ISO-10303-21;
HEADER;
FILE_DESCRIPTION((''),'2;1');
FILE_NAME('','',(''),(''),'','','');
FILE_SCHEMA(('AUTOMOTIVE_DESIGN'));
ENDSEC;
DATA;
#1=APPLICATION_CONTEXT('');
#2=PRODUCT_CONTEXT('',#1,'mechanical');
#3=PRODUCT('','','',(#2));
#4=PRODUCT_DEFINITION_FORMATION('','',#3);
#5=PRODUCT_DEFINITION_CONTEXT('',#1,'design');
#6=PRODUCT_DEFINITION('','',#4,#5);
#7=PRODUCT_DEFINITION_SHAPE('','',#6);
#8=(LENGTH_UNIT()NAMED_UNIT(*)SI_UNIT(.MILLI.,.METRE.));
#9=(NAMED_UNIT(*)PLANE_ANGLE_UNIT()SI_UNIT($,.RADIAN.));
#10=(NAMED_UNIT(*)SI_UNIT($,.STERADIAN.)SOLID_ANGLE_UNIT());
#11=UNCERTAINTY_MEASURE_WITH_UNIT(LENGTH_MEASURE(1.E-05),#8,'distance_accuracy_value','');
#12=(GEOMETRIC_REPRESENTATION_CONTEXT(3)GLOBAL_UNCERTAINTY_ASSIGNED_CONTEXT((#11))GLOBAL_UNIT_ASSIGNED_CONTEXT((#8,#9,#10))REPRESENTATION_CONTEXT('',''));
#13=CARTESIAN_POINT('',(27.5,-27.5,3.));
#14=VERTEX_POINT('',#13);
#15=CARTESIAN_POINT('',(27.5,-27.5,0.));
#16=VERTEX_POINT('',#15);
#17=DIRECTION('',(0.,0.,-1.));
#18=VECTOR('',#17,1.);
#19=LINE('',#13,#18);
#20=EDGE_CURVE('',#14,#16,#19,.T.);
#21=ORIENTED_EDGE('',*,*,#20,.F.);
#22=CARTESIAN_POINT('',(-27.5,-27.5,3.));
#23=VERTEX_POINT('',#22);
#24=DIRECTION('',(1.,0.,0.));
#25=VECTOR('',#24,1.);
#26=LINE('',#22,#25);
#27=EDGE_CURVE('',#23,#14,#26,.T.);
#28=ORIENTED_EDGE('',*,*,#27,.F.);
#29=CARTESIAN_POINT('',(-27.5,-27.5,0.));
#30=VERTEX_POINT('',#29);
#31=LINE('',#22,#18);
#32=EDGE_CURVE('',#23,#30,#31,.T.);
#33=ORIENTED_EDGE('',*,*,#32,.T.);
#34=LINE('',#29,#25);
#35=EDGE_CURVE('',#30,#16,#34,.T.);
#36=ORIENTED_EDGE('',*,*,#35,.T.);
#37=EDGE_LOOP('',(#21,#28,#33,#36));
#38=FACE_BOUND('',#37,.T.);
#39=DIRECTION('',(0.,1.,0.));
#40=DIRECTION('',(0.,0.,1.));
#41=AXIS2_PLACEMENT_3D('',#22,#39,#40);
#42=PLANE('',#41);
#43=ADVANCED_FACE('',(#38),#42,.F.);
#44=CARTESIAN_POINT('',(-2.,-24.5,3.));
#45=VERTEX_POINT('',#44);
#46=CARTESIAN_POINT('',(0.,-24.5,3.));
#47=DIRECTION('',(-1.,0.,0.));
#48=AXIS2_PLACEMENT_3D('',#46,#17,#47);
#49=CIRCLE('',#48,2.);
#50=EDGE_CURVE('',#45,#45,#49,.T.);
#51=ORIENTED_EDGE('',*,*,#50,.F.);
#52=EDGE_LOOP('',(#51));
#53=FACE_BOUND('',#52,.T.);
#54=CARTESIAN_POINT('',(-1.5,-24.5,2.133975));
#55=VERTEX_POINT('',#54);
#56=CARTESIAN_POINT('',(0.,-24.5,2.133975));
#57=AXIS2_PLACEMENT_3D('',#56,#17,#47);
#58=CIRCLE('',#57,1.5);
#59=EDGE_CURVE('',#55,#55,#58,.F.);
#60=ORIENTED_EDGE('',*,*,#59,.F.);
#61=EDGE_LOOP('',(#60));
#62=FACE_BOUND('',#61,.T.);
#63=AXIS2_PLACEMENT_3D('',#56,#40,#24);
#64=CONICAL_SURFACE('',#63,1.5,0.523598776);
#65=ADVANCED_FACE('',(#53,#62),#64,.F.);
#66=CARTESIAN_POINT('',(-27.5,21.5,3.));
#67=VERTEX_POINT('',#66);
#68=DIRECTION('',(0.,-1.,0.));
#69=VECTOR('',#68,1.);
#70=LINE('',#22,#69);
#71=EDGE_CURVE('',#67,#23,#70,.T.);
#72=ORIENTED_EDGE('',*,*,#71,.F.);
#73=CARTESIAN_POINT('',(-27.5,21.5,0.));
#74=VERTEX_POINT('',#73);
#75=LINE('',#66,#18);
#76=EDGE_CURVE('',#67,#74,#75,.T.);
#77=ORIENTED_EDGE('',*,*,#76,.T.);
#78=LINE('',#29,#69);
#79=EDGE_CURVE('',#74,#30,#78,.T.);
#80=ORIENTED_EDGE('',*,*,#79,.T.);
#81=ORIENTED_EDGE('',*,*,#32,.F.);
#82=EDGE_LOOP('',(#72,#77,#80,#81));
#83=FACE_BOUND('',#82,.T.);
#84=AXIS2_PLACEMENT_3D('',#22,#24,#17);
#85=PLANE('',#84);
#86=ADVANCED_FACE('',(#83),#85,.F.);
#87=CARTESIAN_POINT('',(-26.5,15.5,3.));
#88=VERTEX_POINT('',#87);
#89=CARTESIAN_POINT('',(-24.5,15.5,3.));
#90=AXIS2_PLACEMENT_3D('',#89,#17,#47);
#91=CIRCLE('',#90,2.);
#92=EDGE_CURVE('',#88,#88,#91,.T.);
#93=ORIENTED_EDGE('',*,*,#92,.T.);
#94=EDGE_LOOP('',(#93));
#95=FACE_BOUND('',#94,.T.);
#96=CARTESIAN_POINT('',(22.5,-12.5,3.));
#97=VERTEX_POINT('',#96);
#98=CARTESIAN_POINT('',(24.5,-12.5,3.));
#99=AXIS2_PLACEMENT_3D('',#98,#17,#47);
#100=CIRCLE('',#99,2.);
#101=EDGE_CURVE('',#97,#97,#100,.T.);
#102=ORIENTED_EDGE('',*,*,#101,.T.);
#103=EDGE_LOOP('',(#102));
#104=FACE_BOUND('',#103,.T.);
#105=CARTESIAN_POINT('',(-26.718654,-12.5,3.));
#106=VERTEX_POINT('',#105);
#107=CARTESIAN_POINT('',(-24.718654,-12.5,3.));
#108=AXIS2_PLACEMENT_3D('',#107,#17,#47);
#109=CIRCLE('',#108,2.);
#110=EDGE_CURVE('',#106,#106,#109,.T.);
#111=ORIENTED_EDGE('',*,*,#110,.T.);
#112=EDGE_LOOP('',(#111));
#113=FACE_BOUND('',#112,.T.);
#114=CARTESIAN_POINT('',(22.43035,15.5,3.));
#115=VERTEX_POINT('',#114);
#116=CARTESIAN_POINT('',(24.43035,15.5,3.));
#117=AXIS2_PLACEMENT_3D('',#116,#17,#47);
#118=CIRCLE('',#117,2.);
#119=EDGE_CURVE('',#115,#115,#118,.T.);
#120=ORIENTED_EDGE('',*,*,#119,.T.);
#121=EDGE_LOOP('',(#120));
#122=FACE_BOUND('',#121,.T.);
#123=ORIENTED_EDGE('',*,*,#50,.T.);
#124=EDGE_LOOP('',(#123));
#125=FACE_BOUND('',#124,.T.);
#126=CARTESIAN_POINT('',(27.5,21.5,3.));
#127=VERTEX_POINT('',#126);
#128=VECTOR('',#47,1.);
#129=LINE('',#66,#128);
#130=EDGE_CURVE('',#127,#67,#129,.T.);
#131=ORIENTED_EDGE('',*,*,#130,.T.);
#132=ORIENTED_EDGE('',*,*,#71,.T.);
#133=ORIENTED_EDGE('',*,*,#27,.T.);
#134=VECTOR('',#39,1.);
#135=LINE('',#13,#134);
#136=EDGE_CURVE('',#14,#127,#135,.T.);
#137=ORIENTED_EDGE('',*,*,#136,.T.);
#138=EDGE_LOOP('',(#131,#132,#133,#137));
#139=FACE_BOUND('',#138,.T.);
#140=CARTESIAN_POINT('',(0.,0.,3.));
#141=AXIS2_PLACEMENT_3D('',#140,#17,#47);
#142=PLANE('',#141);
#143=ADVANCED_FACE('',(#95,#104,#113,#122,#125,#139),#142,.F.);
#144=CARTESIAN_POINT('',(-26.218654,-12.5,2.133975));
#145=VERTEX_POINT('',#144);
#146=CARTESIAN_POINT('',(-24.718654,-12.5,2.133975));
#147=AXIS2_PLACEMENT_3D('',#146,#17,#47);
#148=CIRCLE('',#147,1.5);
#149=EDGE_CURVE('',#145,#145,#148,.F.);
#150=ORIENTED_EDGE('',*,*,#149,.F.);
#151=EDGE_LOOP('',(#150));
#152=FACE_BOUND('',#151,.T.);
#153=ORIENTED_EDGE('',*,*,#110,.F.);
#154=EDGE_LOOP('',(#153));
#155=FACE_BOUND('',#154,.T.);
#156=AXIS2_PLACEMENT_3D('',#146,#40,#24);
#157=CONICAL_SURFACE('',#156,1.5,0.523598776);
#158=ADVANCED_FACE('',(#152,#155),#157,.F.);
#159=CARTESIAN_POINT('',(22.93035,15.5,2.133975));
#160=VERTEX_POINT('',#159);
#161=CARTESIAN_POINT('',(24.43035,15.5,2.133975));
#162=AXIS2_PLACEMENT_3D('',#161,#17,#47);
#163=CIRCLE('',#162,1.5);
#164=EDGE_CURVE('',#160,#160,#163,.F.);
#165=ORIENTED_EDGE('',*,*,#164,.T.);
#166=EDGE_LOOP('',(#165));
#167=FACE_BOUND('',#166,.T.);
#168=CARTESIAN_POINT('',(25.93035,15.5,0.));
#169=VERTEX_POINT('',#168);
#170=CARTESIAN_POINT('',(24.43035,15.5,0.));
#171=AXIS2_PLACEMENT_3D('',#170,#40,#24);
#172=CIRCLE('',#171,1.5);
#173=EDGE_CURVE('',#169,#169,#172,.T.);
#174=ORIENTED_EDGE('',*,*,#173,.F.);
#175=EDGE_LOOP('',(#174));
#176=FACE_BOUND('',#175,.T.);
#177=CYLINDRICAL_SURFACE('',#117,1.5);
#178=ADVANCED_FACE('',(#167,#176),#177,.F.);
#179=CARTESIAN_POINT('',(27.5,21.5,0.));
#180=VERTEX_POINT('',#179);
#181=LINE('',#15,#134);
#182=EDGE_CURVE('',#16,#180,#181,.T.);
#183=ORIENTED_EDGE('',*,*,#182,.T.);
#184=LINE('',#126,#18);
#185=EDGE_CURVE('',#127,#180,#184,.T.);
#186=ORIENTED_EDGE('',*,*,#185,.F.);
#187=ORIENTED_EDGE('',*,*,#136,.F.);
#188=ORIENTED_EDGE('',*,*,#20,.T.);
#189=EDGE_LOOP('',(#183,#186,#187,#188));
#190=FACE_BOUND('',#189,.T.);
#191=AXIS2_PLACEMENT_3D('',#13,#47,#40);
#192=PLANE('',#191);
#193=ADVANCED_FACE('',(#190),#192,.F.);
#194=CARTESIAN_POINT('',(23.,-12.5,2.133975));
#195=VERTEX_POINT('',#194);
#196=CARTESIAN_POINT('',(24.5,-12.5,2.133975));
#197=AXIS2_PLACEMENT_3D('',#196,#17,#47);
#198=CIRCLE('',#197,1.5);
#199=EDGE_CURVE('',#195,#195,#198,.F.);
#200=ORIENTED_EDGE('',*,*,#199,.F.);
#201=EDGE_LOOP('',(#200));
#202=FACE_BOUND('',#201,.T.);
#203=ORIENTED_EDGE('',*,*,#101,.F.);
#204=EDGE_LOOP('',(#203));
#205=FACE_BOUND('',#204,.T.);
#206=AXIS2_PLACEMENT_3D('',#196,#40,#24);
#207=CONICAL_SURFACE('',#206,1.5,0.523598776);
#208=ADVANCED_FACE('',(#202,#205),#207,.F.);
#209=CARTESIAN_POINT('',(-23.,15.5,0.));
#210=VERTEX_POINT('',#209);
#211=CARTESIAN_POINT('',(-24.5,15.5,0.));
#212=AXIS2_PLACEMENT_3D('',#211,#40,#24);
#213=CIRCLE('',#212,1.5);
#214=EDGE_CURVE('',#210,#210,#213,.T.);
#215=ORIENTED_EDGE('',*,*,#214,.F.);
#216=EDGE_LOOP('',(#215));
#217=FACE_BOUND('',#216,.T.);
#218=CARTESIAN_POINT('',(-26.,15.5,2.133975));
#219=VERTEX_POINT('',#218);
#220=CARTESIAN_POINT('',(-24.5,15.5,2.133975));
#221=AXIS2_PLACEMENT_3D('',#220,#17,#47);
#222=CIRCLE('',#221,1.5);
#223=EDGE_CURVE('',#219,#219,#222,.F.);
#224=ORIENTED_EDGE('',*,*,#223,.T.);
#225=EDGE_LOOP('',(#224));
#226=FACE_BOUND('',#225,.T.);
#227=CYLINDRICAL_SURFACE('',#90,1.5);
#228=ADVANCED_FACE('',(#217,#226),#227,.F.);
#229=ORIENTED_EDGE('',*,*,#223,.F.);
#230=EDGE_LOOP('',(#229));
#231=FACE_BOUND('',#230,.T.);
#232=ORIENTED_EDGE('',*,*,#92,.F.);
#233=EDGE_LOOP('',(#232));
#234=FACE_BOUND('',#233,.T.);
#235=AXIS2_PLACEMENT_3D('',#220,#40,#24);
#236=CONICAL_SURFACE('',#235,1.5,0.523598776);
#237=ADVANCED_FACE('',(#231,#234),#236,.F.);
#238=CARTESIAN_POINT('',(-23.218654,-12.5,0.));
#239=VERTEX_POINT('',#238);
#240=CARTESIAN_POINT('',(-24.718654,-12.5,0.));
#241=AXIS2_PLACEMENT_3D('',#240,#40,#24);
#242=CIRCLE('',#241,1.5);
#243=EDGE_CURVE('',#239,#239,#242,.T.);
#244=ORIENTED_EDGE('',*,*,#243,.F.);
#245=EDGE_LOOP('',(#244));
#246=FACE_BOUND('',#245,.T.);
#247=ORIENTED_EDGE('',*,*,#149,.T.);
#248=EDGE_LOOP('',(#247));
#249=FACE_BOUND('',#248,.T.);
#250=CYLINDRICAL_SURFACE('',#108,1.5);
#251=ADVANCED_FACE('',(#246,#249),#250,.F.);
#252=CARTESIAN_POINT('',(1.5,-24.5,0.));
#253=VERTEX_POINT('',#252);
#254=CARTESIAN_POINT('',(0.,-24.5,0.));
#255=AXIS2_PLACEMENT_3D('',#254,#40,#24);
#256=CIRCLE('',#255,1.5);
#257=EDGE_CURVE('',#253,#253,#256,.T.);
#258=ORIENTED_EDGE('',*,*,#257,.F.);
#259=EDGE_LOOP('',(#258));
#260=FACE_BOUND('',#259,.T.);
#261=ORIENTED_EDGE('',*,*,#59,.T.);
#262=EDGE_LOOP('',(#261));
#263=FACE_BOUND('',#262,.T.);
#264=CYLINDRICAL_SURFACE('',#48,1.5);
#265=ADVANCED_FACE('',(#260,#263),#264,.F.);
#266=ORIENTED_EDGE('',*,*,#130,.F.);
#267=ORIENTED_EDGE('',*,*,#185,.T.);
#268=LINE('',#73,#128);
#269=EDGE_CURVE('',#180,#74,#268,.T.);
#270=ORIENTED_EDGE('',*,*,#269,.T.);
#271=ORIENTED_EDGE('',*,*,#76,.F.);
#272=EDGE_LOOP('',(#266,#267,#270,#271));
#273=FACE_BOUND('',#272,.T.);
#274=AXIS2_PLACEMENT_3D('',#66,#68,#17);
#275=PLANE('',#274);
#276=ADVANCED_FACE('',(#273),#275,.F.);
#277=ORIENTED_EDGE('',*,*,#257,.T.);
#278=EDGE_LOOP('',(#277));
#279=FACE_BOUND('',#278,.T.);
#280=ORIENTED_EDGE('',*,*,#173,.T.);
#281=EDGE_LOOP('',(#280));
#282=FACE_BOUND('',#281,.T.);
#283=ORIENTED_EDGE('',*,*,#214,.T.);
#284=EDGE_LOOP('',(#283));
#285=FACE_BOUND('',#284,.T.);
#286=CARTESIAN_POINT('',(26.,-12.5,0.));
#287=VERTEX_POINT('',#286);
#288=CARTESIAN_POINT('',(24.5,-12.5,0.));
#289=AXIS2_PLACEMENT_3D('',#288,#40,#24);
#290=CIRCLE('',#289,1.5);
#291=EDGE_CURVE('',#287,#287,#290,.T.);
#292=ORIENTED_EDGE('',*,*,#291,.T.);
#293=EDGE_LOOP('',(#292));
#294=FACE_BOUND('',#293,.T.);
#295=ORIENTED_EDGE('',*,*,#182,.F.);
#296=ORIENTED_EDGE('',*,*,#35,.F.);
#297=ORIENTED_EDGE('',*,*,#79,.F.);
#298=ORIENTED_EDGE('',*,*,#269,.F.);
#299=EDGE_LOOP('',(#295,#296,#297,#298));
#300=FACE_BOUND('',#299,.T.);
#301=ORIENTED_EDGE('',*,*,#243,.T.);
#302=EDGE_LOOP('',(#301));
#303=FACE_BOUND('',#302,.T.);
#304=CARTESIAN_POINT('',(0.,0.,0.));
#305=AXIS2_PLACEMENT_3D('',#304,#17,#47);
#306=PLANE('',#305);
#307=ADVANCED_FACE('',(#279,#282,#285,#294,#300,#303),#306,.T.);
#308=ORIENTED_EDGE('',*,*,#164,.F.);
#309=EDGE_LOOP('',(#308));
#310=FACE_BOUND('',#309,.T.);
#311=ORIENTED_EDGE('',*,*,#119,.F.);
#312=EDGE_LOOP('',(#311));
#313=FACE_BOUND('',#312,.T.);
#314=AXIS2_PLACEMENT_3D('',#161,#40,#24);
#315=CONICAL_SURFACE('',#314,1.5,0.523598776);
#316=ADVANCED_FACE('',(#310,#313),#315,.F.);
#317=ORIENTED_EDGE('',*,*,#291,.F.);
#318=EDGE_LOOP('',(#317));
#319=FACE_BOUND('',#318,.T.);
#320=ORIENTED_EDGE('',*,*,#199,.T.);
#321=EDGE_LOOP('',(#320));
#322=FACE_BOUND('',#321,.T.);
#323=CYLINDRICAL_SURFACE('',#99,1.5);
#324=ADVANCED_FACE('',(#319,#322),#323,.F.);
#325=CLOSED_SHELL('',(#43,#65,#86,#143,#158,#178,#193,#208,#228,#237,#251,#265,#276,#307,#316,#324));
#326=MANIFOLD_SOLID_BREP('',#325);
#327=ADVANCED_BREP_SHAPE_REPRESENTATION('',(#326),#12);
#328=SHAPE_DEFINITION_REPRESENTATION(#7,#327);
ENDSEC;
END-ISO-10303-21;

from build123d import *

# Parameters (mm, degrees)
SKETCH_1_W      = 55
SKETCH_1_H      = 49
SKETCH_1_R      = 1.5
EXTRUDE_1_DEPTH = 3
CHAMFER_1_SIZE  = 0.5
CHAMFER_1_SIZE2 = 0.866025404


with BuildPart() as part:
    # Эскиз1 → Бобышка-Вытянуть1 (new body)
    with BuildSketch(Plane.XY):
        with Locations((0, -3)):
            Rectangle(SKETCH_1_W, SKETCH_1_H)
        with Locations((-24.5, 15.5)):
            Circle(SKETCH_1_R, mode=Mode.SUBTRACT)
        with Locations((-24.71865387, -12.5)):
            Circle(SKETCH_1_R, mode=Mode.SUBTRACT)
        with Locations((24.5, -12.5)):
            Circle(SKETCH_1_R, mode=Mode.SUBTRACT)
        with Locations((24.430350012, 15.5)):
            Circle(SKETCH_1_R, mode=Mode.SUBTRACT)
        with Locations((0, -24.5)):
            Circle(SKETCH_1_R, mode=Mode.SUBTRACT)
    extrude(amount=EXTRUDE_1_DEPTH)

    # Фаска1
    chamfer_1_edges = [part.edges().sort_by_distance(p)[0] for p in [
        (-26, 15.5, 3),
        (-26.21865387, -12.5, 3),
        (23, -12.5, 3),
        (22.930350012, 15.5, 3),
        (-1.5, -24.5, 3),
    ]]
    chamfer_1_side = [part.faces().sort_by_distance(p)[0] for p in [
        (0.000766227, -2.990698033, 3),
    ]]
    chamfer(chamfer_1_edges, length=CHAMFER_1_SIZE, length2=CHAMFER_1_SIZE2, reference=chamfer_1_side[0])


solid = part.part
